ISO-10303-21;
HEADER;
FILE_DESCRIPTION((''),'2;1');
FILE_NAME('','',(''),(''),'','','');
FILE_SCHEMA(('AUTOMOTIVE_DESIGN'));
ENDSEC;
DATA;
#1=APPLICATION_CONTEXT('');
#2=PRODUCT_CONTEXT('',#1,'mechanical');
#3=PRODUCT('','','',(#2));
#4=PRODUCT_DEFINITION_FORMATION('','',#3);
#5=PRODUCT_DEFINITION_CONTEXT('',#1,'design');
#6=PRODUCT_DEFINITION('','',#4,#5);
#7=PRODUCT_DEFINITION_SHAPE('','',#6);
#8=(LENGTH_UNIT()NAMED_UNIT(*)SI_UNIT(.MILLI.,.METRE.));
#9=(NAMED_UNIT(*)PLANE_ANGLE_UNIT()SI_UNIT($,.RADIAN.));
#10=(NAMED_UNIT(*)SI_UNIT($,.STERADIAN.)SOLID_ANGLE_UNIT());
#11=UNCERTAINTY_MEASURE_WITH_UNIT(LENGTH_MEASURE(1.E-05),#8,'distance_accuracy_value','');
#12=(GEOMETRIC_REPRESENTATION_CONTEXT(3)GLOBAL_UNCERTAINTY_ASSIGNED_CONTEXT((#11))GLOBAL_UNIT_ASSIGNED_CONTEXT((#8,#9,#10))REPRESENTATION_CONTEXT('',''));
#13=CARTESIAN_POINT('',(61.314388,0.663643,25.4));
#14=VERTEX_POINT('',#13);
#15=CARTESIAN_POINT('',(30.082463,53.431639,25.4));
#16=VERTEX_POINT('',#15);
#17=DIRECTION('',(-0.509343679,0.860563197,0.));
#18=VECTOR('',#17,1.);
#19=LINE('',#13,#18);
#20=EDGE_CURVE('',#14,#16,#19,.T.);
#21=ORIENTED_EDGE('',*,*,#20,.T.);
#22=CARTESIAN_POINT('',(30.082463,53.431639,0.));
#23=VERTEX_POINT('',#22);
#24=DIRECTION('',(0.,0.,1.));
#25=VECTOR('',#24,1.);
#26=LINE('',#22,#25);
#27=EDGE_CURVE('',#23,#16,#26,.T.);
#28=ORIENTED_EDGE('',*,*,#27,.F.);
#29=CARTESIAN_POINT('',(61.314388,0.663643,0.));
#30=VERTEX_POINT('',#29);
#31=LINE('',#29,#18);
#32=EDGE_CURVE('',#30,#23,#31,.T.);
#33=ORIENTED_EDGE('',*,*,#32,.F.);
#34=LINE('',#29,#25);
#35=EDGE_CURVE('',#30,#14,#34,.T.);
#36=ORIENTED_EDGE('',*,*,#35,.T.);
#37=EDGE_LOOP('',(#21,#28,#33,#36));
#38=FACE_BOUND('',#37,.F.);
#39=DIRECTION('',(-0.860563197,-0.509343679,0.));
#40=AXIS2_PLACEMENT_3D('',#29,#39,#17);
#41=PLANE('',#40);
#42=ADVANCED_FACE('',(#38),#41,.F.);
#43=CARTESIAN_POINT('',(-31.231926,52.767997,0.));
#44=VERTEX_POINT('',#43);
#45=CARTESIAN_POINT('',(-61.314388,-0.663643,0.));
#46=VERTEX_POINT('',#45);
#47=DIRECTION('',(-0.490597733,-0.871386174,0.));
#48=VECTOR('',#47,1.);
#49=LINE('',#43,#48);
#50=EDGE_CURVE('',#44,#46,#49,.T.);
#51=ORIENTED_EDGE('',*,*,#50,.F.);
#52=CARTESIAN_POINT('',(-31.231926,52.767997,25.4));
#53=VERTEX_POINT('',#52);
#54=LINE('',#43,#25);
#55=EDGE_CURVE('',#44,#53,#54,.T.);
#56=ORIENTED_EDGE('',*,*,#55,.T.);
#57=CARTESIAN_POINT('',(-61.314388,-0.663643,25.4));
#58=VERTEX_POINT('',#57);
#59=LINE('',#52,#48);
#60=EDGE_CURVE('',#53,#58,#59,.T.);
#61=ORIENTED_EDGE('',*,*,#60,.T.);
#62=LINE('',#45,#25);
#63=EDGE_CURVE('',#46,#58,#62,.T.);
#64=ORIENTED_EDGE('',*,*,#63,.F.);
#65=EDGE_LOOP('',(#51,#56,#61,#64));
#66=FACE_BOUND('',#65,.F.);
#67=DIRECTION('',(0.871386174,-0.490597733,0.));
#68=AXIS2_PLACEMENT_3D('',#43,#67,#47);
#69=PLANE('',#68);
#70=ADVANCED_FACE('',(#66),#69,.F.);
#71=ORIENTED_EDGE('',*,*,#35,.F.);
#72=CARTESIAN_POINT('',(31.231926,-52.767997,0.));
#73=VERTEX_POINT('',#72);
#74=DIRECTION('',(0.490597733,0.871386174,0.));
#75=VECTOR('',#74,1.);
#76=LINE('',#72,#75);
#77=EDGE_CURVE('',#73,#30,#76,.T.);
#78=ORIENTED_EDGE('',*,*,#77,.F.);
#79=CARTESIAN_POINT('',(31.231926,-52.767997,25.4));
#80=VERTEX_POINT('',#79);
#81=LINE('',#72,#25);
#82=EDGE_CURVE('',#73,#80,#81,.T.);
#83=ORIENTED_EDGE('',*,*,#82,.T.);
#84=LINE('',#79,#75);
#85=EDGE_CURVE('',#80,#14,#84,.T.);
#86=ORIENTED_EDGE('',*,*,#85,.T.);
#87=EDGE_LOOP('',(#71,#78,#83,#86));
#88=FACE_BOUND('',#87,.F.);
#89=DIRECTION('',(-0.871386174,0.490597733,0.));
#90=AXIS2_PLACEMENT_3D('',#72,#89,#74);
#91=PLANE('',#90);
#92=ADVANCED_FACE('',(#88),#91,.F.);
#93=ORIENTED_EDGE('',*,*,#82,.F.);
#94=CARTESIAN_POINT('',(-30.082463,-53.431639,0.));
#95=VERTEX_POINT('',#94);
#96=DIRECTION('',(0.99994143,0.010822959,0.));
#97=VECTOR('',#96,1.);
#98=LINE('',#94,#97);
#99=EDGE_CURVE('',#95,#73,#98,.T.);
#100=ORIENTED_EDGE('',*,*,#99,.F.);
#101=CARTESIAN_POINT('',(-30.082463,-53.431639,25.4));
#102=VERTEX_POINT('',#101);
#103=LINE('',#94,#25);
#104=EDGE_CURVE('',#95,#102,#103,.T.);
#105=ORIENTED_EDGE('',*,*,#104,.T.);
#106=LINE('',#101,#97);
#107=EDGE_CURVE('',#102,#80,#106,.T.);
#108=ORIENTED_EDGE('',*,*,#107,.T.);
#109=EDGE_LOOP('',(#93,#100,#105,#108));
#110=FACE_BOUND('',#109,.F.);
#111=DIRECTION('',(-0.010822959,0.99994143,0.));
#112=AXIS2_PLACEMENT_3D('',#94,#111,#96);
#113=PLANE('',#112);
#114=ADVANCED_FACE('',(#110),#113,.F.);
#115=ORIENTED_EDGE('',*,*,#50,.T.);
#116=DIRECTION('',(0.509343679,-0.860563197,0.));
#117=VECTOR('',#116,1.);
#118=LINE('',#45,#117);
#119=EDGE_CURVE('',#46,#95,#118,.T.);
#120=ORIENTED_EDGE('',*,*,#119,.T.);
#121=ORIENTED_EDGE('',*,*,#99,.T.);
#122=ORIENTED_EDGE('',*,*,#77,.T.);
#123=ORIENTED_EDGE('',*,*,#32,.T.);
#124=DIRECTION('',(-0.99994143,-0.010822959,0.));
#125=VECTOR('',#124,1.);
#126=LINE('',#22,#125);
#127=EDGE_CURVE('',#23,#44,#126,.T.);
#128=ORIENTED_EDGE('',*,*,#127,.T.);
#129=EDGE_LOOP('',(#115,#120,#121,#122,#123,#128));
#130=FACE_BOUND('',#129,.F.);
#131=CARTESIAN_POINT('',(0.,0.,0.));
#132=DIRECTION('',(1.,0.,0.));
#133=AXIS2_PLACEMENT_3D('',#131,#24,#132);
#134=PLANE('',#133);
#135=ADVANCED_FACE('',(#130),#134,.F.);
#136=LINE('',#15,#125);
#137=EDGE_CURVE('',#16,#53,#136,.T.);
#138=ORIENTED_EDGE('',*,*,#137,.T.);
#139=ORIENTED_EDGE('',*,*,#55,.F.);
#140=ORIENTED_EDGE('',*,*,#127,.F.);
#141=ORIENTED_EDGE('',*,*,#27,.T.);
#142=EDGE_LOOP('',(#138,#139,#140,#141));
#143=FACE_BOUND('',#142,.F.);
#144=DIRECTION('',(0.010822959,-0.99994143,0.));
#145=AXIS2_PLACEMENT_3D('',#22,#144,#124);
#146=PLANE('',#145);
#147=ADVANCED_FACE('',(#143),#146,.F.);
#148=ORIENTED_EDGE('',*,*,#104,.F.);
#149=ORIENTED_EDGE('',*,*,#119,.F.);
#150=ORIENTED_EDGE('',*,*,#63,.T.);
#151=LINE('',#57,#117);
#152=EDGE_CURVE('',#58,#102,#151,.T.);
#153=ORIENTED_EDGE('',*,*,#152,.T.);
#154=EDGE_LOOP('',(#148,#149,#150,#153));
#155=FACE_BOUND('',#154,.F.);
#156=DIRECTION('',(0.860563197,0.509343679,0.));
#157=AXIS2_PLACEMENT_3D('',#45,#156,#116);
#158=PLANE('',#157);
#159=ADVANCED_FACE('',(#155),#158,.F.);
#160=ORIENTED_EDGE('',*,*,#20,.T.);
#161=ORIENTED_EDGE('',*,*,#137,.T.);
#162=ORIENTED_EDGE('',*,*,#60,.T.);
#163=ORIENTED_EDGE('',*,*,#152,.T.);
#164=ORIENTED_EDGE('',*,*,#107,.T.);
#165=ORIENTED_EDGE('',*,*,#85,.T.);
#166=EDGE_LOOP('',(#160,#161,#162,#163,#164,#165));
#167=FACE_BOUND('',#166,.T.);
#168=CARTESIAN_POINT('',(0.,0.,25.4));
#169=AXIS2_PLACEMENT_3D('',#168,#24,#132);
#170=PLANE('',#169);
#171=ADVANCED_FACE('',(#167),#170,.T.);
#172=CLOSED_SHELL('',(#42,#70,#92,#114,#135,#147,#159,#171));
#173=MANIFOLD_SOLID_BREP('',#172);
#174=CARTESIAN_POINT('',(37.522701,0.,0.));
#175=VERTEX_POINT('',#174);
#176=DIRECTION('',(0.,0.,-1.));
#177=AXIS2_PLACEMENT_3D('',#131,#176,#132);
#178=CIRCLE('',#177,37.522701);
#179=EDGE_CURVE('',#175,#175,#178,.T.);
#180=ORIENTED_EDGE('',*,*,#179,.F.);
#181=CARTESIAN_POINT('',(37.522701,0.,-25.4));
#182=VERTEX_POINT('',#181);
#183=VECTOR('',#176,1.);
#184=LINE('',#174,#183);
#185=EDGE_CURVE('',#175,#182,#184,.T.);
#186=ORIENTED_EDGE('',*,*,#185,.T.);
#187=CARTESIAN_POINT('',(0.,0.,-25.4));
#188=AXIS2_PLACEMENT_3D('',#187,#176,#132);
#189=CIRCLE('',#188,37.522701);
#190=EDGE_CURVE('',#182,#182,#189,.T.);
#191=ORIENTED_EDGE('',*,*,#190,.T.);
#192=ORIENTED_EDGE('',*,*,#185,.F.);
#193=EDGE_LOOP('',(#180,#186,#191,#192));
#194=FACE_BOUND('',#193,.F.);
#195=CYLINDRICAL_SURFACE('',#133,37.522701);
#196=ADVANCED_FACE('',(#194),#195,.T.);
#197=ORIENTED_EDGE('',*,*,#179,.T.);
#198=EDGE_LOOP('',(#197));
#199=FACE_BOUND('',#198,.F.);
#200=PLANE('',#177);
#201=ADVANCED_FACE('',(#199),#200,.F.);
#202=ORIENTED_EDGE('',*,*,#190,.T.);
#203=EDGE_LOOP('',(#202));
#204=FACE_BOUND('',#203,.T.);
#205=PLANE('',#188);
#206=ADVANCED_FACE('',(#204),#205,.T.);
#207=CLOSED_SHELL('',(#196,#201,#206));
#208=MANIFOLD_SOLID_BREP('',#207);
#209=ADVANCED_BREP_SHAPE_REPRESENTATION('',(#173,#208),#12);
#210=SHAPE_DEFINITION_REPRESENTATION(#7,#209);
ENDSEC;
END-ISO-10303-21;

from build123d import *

# Parameters (mm, degrees)
F1_DEPTH = 25.4
F3_R     = 37.522701
F4_DEPTH = 25.4


with BuildPart() as f1:
    # F0 (on Top) → F1 (new body)
    with BuildSketch(Plane.XY):
        Polygon((31.231926, -52.767997), (61.314388, 0.663643), (30.082463, 53.431639), (-31.231926, 52.767997), (-61.314388, -0.663643), (-30.082463, -53.431639), align=None)
    extrude(amount=F1_DEPTH)


with BuildPart() as f4:
    # F3 (on face) → F4 (new body)
    with BuildSketch(Plane(origin=(0, 0, 0), x_dir=(1, 0, 0), z_dir=(0, 0, -1))):
        Circle(F3_R)
    extrude(amount=F4_DEPTH)


solid = Compound([f1.part, f4.part])
